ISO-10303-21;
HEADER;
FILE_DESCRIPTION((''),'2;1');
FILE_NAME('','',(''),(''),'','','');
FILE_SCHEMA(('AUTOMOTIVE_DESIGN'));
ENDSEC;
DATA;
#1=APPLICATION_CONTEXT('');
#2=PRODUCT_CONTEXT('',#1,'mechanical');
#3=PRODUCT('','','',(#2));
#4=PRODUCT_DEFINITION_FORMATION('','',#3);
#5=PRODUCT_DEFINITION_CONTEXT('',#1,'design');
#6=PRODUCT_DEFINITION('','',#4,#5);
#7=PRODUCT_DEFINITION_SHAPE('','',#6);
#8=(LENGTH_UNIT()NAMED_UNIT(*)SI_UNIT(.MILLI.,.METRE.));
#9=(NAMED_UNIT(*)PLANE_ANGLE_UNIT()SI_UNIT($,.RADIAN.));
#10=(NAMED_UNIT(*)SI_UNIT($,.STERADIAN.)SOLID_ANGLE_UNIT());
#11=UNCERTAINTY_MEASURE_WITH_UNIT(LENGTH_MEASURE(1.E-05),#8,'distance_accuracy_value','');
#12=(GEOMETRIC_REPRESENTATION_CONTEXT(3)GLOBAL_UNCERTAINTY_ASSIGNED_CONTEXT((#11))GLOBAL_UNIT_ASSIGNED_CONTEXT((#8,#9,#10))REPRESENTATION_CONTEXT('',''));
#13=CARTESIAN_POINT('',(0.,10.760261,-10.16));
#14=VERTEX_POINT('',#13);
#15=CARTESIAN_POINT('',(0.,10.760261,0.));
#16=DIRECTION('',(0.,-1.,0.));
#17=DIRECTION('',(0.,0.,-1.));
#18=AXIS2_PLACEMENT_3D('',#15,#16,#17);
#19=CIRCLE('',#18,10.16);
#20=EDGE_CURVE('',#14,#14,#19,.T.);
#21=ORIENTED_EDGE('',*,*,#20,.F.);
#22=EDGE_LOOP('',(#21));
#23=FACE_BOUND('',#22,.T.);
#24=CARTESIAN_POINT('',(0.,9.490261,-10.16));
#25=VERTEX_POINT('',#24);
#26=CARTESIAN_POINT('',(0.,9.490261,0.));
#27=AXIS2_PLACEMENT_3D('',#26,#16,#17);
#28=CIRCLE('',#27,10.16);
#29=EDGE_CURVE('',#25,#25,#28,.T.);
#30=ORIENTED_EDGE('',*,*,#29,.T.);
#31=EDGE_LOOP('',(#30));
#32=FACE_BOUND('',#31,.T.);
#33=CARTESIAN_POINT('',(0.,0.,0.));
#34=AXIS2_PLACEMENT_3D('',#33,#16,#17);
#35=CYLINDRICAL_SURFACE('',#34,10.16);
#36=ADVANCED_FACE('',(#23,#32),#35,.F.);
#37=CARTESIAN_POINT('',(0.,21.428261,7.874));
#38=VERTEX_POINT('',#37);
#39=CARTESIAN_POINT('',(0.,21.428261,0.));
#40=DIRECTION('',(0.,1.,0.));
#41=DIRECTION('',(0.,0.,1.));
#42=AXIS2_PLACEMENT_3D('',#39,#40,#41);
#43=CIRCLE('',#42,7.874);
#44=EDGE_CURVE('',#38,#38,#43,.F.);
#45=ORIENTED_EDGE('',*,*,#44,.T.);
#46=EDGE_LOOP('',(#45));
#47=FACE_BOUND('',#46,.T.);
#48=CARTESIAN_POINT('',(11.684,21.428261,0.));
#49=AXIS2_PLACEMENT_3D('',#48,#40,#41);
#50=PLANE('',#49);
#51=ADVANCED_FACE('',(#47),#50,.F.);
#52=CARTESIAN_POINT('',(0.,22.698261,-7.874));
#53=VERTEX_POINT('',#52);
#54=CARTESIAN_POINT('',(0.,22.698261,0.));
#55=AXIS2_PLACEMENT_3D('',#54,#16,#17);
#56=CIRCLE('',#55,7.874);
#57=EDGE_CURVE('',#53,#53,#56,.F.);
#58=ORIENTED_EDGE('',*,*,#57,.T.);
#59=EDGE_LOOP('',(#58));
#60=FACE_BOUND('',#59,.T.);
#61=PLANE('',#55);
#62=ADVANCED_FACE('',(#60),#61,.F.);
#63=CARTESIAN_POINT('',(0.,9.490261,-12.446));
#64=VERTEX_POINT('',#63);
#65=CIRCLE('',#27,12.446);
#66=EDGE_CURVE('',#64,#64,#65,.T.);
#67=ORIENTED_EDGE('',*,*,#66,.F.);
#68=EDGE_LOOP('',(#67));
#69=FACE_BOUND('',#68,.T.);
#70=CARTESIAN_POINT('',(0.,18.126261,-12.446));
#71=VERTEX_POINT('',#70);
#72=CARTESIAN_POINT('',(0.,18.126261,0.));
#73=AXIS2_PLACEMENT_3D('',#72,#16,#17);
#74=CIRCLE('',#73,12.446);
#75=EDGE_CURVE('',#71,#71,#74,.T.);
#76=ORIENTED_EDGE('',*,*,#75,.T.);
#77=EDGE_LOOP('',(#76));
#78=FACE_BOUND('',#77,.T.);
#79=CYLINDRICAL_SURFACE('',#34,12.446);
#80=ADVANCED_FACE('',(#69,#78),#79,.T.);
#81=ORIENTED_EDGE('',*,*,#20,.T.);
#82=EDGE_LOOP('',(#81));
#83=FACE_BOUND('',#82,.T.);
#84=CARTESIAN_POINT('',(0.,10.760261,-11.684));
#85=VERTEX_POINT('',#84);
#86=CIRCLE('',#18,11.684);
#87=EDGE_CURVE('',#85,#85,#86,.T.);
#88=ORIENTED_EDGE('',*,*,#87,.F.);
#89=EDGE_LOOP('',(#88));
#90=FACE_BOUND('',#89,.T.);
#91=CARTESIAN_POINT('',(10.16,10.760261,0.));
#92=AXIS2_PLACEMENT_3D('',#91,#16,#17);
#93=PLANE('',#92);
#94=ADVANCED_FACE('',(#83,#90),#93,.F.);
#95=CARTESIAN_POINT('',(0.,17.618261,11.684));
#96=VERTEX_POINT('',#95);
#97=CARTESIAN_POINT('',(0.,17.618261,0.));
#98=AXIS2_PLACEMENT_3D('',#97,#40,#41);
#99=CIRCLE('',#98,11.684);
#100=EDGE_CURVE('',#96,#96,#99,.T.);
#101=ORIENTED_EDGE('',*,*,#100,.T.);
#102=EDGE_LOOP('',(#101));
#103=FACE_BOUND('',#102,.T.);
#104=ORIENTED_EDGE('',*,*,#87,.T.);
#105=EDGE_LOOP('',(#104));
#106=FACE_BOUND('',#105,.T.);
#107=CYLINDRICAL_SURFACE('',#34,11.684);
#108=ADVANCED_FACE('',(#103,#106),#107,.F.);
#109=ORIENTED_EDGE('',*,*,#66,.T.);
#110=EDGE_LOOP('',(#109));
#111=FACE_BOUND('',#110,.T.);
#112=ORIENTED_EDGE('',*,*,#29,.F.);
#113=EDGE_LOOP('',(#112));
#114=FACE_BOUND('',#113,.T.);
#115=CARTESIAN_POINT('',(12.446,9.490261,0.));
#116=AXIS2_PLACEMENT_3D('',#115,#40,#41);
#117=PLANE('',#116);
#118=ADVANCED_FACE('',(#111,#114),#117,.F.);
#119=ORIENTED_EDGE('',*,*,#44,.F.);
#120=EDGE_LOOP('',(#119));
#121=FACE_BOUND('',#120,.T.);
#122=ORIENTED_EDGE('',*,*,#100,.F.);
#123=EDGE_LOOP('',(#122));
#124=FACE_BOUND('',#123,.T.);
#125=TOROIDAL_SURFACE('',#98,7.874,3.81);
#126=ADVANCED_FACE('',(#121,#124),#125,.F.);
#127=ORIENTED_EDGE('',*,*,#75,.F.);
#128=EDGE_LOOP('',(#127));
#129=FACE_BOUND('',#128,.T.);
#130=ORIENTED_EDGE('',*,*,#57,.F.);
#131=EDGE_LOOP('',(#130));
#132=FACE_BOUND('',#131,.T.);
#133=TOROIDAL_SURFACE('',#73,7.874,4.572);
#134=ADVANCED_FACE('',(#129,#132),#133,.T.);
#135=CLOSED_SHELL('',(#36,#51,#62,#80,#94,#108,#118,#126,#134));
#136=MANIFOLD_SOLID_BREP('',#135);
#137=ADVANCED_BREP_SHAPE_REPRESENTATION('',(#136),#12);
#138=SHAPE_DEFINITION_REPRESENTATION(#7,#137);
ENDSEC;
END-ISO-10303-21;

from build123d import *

# Parameters (mm, degrees)
FILLET1_R = 3.81
FILLET2_R = 4.572


with BuildPart() as part:
    # Sketch1 → Base-Revolve (revolve)
    with BuildSketch(Plane.XY, mode=Mode.PRIVATE) as base_revolve_sk:
        Polygon((0, 22.698261335), (12.446, 22.698261335), (12.446, 9.490261335), (10.16, 9.490261335), (10.16, 10.760261335), (11.684, 10.760261335), (11.684, 21.428261335), (0, 21.428261335), align=None)
    revolve(base_revolve_sk.sketch.rotate(Axis((0, 0, 0), (0, 1, 0)), 90), axis=Axis((0, 0, 0), (0, 1, 0)))

    # Fillet1
    fillet1_edges = [part.edges().sort_by_distance(p)[0] for p in [
        (0, 21.428261335, 11.684),
    ]]
    fillet(fillet1_edges, radius=FILLET1_R)

    # Fillet2
    fillet2_edges = [part.edges().sort_by_distance(p)[0] for p in [
        (0, 22.698261335, 12.446),
    ]]
    fillet(fillet2_edges, radius=FILLET2_R)


solid = part.part
